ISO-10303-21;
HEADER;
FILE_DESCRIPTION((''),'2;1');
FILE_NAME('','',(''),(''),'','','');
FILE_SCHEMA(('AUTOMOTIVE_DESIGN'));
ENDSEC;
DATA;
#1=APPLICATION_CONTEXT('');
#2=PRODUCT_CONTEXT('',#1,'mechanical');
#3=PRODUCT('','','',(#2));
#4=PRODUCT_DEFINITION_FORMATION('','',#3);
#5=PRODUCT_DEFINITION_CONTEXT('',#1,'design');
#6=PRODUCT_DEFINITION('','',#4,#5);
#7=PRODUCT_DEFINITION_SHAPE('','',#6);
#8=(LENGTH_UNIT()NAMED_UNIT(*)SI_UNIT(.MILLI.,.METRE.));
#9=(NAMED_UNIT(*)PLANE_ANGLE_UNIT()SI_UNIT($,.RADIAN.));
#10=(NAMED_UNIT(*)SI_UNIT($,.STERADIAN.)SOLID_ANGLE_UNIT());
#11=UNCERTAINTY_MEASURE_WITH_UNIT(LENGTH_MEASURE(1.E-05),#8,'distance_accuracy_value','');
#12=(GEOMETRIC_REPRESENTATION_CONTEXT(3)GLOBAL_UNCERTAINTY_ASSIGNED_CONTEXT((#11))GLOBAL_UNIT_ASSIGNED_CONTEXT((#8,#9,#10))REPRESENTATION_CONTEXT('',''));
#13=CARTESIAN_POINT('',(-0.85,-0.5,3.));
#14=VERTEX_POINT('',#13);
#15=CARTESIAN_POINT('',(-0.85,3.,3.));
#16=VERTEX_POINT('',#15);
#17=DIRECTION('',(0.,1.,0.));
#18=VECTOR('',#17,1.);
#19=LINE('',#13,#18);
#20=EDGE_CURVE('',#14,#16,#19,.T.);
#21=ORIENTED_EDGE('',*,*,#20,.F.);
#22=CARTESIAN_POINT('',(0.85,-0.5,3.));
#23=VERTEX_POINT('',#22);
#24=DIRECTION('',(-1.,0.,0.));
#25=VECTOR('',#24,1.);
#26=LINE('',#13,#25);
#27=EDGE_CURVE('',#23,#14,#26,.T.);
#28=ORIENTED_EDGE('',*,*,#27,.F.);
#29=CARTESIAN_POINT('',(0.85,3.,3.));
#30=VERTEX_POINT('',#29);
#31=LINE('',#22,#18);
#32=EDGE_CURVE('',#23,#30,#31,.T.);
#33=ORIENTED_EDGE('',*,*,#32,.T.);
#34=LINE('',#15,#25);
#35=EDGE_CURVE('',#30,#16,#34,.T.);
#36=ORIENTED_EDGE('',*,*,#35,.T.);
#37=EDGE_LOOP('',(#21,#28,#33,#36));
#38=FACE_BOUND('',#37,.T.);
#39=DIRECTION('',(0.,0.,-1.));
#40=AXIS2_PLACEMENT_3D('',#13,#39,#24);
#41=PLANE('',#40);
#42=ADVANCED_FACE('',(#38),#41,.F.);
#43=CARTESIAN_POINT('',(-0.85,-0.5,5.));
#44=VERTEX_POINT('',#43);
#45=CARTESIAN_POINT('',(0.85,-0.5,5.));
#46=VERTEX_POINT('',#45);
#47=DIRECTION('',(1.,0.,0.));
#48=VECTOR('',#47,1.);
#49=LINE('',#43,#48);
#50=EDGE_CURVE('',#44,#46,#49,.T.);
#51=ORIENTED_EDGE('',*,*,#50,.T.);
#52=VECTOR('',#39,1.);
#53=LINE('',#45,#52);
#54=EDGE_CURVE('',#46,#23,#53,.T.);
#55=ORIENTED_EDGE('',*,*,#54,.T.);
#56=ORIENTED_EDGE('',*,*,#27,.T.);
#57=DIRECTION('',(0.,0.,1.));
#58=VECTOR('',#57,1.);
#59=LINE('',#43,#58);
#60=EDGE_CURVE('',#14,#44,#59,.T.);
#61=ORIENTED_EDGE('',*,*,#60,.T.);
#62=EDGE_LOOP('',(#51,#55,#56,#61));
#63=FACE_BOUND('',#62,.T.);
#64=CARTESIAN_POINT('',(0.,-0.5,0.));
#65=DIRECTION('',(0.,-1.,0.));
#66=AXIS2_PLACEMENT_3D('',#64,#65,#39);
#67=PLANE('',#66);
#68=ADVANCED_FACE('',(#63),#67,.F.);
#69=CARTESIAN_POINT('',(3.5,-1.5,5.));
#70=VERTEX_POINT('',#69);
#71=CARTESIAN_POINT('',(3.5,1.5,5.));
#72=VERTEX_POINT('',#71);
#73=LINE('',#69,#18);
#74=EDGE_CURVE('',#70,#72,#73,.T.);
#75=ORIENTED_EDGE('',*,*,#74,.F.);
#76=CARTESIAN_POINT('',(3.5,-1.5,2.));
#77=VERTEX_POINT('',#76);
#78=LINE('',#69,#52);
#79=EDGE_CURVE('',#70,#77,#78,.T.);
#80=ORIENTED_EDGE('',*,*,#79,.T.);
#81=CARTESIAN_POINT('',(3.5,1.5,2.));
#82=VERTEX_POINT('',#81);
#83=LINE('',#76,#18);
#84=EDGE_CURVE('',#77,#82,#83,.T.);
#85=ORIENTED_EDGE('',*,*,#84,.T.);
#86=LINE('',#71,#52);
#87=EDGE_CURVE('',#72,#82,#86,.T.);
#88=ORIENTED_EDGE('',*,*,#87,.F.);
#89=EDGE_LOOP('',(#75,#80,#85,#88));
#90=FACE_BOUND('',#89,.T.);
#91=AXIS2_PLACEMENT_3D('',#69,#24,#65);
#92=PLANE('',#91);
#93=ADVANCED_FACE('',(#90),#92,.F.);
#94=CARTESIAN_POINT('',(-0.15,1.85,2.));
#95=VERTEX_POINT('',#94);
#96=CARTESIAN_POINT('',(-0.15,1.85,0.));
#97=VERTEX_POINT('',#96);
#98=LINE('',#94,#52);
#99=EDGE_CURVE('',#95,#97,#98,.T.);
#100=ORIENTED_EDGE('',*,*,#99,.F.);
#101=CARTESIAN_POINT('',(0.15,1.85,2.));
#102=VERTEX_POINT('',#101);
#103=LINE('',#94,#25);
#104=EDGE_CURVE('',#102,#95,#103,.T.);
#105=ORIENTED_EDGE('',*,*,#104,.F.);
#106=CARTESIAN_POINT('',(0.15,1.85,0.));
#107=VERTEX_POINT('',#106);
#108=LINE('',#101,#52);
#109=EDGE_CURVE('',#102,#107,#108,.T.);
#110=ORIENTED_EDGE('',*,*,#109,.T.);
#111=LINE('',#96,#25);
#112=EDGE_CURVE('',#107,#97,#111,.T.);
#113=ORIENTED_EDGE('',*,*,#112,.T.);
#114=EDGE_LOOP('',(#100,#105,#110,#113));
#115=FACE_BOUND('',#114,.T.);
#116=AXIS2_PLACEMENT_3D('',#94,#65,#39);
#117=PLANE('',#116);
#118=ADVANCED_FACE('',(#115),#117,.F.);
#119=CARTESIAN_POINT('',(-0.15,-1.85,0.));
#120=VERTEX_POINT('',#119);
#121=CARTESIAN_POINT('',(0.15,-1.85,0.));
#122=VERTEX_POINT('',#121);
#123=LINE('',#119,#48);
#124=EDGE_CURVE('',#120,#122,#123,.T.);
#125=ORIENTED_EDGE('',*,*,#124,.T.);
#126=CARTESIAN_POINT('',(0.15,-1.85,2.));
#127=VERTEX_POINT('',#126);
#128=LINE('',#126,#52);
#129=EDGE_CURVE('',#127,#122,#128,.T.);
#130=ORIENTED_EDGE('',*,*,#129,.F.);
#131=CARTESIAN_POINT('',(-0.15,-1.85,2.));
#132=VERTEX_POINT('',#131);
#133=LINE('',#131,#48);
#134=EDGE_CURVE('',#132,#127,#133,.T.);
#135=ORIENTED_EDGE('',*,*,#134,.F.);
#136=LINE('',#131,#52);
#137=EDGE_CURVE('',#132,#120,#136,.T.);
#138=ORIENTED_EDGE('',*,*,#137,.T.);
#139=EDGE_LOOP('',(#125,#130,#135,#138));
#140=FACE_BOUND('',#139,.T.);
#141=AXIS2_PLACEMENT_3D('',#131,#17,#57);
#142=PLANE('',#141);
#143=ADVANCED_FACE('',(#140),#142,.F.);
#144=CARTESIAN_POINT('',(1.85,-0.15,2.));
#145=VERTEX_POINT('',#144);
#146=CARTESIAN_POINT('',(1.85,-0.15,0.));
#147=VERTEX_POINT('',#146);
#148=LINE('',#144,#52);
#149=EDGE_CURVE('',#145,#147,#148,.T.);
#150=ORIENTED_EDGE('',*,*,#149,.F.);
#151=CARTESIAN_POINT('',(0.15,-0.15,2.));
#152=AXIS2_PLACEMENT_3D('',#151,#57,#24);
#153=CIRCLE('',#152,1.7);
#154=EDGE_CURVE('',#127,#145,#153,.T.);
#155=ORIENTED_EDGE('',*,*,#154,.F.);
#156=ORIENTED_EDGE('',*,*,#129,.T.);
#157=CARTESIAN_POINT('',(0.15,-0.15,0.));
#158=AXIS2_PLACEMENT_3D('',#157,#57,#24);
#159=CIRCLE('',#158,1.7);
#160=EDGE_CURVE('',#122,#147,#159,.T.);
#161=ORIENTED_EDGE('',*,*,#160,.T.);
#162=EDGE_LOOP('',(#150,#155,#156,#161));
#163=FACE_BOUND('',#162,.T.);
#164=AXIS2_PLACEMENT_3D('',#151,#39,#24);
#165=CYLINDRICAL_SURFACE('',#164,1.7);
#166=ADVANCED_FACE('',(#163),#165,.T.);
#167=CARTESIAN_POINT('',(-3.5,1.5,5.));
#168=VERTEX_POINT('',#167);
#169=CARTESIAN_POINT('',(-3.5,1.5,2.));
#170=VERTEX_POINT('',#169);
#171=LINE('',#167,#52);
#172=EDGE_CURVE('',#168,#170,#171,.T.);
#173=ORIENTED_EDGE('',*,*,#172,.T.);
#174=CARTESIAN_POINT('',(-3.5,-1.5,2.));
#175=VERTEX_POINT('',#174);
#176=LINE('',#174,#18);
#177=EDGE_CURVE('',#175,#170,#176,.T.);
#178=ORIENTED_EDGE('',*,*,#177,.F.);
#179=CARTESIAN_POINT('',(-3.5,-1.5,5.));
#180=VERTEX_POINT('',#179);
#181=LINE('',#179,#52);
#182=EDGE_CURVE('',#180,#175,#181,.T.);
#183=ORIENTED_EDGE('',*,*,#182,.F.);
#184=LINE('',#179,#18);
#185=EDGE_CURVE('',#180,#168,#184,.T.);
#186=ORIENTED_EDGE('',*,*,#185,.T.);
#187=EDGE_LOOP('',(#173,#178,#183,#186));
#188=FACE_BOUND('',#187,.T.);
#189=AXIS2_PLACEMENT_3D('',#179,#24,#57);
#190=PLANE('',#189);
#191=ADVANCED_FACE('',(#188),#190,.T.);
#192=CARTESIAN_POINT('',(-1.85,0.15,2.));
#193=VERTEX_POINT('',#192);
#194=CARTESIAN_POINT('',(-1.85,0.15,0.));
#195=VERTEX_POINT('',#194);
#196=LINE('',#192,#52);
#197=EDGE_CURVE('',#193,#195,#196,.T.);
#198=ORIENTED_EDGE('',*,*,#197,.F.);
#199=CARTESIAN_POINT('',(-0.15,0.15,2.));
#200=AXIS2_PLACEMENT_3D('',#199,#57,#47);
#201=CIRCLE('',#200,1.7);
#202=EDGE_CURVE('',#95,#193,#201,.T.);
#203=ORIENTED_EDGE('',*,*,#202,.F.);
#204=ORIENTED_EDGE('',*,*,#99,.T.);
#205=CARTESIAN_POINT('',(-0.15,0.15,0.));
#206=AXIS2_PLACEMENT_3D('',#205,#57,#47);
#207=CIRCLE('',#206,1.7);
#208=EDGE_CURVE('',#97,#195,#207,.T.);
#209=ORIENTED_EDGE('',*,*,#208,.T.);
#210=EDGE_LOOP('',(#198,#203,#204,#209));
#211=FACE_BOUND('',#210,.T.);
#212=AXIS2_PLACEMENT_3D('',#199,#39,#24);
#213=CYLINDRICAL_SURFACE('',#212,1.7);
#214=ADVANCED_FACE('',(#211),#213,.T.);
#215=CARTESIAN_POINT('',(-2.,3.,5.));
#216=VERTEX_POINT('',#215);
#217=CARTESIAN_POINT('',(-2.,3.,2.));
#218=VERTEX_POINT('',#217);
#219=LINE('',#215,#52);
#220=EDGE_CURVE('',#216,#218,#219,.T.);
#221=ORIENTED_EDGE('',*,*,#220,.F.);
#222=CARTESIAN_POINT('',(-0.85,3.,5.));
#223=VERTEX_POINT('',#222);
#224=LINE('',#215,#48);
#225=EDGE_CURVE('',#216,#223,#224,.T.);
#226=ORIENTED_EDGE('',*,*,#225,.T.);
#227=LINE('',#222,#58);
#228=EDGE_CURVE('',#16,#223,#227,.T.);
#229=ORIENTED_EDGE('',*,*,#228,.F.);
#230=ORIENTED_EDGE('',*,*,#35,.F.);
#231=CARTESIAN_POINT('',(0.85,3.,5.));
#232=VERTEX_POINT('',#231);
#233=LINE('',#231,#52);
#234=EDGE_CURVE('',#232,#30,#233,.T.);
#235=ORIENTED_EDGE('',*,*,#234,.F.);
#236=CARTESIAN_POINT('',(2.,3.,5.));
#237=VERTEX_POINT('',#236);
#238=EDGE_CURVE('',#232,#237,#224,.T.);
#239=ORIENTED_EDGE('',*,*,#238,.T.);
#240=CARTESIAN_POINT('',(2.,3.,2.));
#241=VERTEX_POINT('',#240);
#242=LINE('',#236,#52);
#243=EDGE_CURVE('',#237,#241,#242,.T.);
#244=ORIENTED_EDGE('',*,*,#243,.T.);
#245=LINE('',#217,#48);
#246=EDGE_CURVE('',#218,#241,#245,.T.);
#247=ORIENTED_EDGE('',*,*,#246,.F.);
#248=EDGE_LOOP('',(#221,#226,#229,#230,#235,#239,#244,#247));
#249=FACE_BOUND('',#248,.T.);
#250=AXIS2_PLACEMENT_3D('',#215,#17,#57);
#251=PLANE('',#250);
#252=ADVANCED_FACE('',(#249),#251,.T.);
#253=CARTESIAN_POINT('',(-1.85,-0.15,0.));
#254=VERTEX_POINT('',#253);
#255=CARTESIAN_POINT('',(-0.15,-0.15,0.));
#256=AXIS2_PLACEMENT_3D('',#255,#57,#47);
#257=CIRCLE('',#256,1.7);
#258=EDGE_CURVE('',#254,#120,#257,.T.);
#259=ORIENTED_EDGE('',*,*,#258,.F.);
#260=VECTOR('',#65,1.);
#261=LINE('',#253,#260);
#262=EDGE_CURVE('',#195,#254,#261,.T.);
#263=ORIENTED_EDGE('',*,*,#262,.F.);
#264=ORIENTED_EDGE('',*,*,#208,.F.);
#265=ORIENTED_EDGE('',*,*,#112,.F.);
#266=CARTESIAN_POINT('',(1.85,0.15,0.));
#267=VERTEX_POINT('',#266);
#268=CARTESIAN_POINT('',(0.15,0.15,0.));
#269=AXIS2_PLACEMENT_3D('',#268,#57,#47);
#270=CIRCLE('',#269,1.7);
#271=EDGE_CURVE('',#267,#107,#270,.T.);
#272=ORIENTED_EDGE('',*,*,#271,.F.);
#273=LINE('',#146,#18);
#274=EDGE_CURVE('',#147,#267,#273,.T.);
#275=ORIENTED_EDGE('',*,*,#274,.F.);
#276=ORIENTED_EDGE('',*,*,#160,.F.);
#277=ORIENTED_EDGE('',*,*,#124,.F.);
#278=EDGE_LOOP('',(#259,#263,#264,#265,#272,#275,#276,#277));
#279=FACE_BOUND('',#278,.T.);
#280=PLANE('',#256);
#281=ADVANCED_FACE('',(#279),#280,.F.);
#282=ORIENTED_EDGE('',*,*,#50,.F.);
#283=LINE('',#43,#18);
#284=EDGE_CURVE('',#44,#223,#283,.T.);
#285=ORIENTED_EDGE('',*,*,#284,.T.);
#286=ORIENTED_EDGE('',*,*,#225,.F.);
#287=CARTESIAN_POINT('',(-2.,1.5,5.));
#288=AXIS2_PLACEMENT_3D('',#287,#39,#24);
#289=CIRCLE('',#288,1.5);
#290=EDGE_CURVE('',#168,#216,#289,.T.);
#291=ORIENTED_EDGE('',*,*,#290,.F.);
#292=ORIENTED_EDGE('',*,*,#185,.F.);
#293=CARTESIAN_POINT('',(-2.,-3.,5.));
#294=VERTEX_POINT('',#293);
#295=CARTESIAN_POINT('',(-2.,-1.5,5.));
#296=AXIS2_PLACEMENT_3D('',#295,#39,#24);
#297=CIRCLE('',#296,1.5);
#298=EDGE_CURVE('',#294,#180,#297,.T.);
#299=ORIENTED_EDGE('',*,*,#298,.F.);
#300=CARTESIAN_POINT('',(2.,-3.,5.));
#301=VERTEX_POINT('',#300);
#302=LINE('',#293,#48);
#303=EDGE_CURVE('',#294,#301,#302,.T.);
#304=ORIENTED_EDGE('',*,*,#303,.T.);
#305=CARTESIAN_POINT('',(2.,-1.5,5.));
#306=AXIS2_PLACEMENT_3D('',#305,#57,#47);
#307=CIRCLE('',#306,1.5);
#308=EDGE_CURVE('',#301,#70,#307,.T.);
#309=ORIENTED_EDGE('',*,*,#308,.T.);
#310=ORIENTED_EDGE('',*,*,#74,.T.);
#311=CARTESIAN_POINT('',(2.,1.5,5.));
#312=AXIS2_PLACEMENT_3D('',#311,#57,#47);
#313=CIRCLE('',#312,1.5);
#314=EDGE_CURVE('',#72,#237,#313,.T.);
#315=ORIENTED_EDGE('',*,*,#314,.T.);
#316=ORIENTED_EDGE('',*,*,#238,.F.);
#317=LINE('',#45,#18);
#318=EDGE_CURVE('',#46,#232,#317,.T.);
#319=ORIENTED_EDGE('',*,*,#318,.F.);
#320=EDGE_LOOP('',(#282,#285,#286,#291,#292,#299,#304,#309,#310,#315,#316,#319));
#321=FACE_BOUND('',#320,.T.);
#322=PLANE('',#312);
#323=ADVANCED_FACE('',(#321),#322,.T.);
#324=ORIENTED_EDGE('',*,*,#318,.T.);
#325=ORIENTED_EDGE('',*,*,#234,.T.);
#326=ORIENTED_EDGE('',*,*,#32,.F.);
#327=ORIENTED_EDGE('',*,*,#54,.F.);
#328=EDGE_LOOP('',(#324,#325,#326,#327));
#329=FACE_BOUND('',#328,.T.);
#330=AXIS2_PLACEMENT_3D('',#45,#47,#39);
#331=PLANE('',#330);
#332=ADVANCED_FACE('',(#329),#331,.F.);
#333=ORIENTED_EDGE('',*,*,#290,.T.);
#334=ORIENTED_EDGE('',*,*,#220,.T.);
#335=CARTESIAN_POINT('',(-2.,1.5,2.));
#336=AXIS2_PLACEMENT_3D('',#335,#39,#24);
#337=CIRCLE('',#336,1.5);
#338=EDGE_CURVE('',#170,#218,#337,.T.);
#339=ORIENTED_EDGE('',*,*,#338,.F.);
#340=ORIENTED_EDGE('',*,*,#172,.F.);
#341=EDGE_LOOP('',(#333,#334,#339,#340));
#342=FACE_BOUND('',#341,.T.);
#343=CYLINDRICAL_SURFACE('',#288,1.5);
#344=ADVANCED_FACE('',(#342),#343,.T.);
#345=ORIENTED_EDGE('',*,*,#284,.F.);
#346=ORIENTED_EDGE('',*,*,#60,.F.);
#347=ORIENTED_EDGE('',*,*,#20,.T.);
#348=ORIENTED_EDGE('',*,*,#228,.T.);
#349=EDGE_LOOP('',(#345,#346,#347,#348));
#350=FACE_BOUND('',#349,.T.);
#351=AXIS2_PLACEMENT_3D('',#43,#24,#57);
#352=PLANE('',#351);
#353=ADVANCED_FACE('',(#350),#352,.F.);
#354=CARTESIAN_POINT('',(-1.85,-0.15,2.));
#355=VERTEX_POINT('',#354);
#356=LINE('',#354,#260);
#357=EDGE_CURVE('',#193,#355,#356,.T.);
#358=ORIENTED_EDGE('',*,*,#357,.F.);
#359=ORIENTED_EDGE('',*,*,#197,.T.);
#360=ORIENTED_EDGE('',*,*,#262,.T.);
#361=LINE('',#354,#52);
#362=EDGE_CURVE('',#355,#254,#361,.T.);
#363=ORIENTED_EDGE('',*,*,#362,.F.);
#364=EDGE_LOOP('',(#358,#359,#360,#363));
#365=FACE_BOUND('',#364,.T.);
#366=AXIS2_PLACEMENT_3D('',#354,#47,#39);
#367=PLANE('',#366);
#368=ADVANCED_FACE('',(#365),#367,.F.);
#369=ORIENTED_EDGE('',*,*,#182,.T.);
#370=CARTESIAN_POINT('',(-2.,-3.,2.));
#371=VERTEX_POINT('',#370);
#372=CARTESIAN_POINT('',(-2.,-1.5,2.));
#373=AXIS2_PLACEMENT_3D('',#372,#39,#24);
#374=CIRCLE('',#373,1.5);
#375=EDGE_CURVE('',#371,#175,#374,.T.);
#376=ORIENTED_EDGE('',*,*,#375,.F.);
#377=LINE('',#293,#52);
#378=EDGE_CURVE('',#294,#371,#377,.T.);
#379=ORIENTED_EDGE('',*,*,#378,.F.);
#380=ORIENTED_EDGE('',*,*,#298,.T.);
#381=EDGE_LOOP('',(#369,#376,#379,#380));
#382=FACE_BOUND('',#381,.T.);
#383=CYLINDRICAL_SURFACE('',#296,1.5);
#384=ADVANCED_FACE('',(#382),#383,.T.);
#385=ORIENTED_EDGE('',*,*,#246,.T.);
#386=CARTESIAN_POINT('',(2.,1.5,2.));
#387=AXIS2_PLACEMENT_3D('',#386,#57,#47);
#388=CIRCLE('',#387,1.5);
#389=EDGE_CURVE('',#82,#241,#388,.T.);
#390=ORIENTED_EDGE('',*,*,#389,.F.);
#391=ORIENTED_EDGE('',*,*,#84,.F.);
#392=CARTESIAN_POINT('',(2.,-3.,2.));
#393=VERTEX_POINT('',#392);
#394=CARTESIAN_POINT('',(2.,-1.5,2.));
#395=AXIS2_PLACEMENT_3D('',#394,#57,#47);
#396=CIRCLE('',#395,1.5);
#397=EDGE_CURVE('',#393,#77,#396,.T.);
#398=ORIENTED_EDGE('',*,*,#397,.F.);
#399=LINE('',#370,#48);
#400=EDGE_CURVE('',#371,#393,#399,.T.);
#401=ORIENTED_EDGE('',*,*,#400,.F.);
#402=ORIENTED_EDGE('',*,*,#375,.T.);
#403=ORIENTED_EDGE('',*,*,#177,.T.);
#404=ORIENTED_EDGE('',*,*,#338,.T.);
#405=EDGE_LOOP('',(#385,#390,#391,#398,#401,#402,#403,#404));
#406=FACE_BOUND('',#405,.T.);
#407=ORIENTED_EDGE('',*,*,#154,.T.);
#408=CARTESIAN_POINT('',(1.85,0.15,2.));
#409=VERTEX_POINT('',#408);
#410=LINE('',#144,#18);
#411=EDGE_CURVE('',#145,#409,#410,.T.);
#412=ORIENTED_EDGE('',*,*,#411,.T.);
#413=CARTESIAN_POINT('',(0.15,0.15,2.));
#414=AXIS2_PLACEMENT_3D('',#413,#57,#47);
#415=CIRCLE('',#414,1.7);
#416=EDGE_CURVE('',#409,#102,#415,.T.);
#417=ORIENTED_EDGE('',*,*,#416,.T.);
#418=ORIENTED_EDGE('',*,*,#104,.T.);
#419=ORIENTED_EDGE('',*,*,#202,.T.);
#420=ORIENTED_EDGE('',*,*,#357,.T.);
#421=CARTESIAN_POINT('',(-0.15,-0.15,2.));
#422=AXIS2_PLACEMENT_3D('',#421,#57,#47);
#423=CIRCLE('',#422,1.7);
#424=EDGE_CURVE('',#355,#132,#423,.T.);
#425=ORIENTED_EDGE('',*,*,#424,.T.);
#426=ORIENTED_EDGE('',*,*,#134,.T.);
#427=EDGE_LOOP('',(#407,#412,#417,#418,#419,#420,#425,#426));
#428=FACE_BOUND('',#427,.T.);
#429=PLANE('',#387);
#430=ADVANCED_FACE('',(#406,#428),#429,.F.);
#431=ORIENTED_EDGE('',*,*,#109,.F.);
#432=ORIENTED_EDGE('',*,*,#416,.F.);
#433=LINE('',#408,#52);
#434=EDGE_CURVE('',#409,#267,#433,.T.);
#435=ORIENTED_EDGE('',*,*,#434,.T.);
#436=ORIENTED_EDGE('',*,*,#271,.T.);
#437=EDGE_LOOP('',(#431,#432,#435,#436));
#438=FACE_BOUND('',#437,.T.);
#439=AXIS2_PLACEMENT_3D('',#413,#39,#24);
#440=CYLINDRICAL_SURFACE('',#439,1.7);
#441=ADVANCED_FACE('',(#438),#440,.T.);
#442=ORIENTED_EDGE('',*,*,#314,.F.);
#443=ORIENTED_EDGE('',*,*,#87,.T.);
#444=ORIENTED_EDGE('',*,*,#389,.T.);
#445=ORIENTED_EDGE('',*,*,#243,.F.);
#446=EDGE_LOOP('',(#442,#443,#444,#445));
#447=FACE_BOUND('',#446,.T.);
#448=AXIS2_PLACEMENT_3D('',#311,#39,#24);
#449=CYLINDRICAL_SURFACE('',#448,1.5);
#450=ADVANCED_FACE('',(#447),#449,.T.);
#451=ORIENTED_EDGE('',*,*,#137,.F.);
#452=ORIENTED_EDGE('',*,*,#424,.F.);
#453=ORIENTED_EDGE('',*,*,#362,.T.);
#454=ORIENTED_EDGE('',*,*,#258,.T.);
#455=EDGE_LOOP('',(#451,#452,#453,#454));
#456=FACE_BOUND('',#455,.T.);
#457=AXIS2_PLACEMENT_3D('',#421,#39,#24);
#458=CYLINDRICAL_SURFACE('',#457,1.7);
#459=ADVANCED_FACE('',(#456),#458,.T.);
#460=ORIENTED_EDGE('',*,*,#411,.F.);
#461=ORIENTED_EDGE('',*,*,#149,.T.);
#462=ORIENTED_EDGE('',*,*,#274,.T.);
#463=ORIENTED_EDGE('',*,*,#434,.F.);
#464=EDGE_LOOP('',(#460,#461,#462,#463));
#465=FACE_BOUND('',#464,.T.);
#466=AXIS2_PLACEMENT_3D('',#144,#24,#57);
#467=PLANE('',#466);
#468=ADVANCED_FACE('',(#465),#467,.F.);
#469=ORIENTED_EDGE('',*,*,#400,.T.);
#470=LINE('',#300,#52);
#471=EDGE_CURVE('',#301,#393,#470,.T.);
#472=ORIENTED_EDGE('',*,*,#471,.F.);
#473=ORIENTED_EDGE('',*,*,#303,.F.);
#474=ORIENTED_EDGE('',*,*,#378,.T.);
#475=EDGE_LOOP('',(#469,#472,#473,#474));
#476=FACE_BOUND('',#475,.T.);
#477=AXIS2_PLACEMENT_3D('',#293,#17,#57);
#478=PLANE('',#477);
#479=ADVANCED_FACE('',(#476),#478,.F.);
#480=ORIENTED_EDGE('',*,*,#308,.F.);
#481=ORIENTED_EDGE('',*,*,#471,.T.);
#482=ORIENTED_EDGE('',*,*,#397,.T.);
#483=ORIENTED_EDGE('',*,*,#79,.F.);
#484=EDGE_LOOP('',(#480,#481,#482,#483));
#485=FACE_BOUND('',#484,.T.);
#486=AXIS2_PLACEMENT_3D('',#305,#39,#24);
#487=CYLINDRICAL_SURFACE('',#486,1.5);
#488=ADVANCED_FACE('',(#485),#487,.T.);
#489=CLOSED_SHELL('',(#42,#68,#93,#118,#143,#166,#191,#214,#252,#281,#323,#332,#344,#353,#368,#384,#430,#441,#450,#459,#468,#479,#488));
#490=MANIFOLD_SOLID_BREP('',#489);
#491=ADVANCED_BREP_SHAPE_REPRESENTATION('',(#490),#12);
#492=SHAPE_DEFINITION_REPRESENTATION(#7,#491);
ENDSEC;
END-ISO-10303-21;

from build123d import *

# Parameters (mm, degrees)
EXTRUDE_1_DEPTH     = 2
EXTRUDE_2_DEPTH     = 3
SKETCH_4_W          = 1.7
SKETCH_4_H          = 2
CUT_EXTRUDE_1_DEPTH = 3.5


with BuildPart() as part:
    # Эскиз1 → Бобышка-Вытянуть1 (new body)
    with BuildSketch(Plane.XY):
        with BuildLine():
            Line((-0.15, -1.85), (0.15, -1.85))
            ThreePointArc((0.15, -1.85), (1.352081528, -1.352081528), (1.85, -0.15))
            Line((1.85, -0.15), (1.85, 0.15))
            ThreePointArc((1.85, 0.15), (1.352081528, 1.352081528), (0.15, 1.85))
            Line((0.15, 1.85), (-0.15, 1.85))
            ThreePointArc((-0.15, 1.85), (-1.352081528, 1.352081528), (-1.85, 0.15))
            Line((-1.85, 0.15), (-1.85, -0.15))
            ThreePointArc((-1.85, -0.15), (-1.352081528, -1.352081528), (-0.15, -1.85))
        make_face()
    extrude(amount=EXTRUDE_1_DEPTH)

    # Эскиз2 → Бобышка-Вытянуть2 (add)
    with BuildSketch(Plane.XY.offset(2)):
        with BuildLine():
            Line((-2, -3), (2, -3))
            ThreePointArc((2, -3), (3.060660172, -2.560660172), (3.5, -1.5))
            Line((3.5, -1.5), (3.5, 1.5))
            ThreePointArc((3.5, 1.5), (3.060660172, 2.560660172), (2, 3))
            Line((2, 3), (-2, 3))
            ThreePointArc((-2, 3), (-3.060660172, 2.560660172), (-3.5, 1.5))
            Line((-3.5, 1.5), (-3.5, -1.5))
            ThreePointArc((-3.5, -1.5), (-3.060660172, -2.560660172), (-2, -3))
        make_face()
    extrude(amount=EXTRUDE_2_DEPTH)

    # Эскиз4 → Вырез-Вытянуть1 (cut)
    with BuildSketch(Plane(origin=(0, 3, 0), x_dir=(1, 0, 0), z_dir=(0, 1, 0))):
        with Locations((0, -4)):
            Rectangle(SKETCH_4_W, SKETCH_4_H)
    extrude(amount=-CUT_EXTRUDE_1_DEPTH, mode=Mode.SUBTRACT)


solid = part.part
